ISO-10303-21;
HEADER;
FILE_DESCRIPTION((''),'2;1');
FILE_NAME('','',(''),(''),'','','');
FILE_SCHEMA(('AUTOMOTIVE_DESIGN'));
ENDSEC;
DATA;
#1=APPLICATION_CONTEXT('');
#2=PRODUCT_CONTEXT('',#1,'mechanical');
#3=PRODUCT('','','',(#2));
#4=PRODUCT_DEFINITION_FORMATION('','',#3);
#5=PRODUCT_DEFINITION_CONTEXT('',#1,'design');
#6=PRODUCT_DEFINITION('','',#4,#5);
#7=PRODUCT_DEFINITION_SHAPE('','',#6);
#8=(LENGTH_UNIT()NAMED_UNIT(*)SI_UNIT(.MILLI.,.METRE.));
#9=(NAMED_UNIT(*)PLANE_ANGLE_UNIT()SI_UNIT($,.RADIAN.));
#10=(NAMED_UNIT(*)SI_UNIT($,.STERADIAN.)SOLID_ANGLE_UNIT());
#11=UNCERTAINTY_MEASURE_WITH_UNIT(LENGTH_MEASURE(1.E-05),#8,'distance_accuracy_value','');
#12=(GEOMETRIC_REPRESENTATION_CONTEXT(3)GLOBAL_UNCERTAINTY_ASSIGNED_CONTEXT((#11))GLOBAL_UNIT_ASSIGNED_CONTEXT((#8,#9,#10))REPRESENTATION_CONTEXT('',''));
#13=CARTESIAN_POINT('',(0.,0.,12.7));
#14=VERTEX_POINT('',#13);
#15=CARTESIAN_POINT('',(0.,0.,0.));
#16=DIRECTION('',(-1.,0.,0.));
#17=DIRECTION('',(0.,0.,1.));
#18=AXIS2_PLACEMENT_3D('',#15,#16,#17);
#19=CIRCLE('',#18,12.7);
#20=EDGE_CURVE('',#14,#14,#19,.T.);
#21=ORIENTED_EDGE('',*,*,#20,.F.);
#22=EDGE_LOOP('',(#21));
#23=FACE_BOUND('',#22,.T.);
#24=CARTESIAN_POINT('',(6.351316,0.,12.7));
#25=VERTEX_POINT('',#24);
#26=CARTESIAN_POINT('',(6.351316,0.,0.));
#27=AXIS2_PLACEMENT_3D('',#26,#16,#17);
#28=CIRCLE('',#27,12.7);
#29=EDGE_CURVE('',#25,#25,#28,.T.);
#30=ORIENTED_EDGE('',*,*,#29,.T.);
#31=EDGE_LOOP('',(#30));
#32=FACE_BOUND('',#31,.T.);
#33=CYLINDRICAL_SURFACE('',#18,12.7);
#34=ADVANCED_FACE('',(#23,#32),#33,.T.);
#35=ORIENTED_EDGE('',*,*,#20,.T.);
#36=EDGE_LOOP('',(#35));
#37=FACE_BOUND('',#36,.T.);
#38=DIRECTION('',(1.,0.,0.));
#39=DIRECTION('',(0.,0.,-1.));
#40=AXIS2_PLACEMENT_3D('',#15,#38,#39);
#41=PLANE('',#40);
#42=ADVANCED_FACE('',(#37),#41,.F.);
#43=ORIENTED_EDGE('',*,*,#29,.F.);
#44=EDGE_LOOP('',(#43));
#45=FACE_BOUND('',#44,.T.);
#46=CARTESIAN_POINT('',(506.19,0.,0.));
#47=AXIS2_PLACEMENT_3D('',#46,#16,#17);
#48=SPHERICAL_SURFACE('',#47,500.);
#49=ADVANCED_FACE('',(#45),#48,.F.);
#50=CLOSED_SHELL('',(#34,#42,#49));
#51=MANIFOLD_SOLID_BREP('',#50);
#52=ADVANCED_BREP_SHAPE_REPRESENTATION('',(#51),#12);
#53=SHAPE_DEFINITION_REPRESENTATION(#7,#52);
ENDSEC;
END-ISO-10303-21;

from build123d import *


with BuildPart() as part:
    # 草图1 → 旋转1 (revolve)
    with BuildSketch(Plane(origin=(0, 0, 0), x_dir=(1, 0, 0), z_dir=(0, 1, 0)), mode=Mode.PRIVATE) as revolve_1_sk:
        with BuildLine():
            Line((0, 0), (6.19, 0))
            ThreePointArc((6.19, 0), (6.230330632, 6.35051224), (6.351316023, 12.7))
            Line((6.351316023, 12.7), (0, 12.7))
            Line((0, 12.7), (0, 0))
        make_face()
    revolve(revolve_1_sk.sketch.rotate(Axis((0, 0, 0), (1, 0, 0)), 180), axis=Axis((0, 0, 0), (1, 0, 0)))  # turned: the seam where the file's is


solid = part.part
